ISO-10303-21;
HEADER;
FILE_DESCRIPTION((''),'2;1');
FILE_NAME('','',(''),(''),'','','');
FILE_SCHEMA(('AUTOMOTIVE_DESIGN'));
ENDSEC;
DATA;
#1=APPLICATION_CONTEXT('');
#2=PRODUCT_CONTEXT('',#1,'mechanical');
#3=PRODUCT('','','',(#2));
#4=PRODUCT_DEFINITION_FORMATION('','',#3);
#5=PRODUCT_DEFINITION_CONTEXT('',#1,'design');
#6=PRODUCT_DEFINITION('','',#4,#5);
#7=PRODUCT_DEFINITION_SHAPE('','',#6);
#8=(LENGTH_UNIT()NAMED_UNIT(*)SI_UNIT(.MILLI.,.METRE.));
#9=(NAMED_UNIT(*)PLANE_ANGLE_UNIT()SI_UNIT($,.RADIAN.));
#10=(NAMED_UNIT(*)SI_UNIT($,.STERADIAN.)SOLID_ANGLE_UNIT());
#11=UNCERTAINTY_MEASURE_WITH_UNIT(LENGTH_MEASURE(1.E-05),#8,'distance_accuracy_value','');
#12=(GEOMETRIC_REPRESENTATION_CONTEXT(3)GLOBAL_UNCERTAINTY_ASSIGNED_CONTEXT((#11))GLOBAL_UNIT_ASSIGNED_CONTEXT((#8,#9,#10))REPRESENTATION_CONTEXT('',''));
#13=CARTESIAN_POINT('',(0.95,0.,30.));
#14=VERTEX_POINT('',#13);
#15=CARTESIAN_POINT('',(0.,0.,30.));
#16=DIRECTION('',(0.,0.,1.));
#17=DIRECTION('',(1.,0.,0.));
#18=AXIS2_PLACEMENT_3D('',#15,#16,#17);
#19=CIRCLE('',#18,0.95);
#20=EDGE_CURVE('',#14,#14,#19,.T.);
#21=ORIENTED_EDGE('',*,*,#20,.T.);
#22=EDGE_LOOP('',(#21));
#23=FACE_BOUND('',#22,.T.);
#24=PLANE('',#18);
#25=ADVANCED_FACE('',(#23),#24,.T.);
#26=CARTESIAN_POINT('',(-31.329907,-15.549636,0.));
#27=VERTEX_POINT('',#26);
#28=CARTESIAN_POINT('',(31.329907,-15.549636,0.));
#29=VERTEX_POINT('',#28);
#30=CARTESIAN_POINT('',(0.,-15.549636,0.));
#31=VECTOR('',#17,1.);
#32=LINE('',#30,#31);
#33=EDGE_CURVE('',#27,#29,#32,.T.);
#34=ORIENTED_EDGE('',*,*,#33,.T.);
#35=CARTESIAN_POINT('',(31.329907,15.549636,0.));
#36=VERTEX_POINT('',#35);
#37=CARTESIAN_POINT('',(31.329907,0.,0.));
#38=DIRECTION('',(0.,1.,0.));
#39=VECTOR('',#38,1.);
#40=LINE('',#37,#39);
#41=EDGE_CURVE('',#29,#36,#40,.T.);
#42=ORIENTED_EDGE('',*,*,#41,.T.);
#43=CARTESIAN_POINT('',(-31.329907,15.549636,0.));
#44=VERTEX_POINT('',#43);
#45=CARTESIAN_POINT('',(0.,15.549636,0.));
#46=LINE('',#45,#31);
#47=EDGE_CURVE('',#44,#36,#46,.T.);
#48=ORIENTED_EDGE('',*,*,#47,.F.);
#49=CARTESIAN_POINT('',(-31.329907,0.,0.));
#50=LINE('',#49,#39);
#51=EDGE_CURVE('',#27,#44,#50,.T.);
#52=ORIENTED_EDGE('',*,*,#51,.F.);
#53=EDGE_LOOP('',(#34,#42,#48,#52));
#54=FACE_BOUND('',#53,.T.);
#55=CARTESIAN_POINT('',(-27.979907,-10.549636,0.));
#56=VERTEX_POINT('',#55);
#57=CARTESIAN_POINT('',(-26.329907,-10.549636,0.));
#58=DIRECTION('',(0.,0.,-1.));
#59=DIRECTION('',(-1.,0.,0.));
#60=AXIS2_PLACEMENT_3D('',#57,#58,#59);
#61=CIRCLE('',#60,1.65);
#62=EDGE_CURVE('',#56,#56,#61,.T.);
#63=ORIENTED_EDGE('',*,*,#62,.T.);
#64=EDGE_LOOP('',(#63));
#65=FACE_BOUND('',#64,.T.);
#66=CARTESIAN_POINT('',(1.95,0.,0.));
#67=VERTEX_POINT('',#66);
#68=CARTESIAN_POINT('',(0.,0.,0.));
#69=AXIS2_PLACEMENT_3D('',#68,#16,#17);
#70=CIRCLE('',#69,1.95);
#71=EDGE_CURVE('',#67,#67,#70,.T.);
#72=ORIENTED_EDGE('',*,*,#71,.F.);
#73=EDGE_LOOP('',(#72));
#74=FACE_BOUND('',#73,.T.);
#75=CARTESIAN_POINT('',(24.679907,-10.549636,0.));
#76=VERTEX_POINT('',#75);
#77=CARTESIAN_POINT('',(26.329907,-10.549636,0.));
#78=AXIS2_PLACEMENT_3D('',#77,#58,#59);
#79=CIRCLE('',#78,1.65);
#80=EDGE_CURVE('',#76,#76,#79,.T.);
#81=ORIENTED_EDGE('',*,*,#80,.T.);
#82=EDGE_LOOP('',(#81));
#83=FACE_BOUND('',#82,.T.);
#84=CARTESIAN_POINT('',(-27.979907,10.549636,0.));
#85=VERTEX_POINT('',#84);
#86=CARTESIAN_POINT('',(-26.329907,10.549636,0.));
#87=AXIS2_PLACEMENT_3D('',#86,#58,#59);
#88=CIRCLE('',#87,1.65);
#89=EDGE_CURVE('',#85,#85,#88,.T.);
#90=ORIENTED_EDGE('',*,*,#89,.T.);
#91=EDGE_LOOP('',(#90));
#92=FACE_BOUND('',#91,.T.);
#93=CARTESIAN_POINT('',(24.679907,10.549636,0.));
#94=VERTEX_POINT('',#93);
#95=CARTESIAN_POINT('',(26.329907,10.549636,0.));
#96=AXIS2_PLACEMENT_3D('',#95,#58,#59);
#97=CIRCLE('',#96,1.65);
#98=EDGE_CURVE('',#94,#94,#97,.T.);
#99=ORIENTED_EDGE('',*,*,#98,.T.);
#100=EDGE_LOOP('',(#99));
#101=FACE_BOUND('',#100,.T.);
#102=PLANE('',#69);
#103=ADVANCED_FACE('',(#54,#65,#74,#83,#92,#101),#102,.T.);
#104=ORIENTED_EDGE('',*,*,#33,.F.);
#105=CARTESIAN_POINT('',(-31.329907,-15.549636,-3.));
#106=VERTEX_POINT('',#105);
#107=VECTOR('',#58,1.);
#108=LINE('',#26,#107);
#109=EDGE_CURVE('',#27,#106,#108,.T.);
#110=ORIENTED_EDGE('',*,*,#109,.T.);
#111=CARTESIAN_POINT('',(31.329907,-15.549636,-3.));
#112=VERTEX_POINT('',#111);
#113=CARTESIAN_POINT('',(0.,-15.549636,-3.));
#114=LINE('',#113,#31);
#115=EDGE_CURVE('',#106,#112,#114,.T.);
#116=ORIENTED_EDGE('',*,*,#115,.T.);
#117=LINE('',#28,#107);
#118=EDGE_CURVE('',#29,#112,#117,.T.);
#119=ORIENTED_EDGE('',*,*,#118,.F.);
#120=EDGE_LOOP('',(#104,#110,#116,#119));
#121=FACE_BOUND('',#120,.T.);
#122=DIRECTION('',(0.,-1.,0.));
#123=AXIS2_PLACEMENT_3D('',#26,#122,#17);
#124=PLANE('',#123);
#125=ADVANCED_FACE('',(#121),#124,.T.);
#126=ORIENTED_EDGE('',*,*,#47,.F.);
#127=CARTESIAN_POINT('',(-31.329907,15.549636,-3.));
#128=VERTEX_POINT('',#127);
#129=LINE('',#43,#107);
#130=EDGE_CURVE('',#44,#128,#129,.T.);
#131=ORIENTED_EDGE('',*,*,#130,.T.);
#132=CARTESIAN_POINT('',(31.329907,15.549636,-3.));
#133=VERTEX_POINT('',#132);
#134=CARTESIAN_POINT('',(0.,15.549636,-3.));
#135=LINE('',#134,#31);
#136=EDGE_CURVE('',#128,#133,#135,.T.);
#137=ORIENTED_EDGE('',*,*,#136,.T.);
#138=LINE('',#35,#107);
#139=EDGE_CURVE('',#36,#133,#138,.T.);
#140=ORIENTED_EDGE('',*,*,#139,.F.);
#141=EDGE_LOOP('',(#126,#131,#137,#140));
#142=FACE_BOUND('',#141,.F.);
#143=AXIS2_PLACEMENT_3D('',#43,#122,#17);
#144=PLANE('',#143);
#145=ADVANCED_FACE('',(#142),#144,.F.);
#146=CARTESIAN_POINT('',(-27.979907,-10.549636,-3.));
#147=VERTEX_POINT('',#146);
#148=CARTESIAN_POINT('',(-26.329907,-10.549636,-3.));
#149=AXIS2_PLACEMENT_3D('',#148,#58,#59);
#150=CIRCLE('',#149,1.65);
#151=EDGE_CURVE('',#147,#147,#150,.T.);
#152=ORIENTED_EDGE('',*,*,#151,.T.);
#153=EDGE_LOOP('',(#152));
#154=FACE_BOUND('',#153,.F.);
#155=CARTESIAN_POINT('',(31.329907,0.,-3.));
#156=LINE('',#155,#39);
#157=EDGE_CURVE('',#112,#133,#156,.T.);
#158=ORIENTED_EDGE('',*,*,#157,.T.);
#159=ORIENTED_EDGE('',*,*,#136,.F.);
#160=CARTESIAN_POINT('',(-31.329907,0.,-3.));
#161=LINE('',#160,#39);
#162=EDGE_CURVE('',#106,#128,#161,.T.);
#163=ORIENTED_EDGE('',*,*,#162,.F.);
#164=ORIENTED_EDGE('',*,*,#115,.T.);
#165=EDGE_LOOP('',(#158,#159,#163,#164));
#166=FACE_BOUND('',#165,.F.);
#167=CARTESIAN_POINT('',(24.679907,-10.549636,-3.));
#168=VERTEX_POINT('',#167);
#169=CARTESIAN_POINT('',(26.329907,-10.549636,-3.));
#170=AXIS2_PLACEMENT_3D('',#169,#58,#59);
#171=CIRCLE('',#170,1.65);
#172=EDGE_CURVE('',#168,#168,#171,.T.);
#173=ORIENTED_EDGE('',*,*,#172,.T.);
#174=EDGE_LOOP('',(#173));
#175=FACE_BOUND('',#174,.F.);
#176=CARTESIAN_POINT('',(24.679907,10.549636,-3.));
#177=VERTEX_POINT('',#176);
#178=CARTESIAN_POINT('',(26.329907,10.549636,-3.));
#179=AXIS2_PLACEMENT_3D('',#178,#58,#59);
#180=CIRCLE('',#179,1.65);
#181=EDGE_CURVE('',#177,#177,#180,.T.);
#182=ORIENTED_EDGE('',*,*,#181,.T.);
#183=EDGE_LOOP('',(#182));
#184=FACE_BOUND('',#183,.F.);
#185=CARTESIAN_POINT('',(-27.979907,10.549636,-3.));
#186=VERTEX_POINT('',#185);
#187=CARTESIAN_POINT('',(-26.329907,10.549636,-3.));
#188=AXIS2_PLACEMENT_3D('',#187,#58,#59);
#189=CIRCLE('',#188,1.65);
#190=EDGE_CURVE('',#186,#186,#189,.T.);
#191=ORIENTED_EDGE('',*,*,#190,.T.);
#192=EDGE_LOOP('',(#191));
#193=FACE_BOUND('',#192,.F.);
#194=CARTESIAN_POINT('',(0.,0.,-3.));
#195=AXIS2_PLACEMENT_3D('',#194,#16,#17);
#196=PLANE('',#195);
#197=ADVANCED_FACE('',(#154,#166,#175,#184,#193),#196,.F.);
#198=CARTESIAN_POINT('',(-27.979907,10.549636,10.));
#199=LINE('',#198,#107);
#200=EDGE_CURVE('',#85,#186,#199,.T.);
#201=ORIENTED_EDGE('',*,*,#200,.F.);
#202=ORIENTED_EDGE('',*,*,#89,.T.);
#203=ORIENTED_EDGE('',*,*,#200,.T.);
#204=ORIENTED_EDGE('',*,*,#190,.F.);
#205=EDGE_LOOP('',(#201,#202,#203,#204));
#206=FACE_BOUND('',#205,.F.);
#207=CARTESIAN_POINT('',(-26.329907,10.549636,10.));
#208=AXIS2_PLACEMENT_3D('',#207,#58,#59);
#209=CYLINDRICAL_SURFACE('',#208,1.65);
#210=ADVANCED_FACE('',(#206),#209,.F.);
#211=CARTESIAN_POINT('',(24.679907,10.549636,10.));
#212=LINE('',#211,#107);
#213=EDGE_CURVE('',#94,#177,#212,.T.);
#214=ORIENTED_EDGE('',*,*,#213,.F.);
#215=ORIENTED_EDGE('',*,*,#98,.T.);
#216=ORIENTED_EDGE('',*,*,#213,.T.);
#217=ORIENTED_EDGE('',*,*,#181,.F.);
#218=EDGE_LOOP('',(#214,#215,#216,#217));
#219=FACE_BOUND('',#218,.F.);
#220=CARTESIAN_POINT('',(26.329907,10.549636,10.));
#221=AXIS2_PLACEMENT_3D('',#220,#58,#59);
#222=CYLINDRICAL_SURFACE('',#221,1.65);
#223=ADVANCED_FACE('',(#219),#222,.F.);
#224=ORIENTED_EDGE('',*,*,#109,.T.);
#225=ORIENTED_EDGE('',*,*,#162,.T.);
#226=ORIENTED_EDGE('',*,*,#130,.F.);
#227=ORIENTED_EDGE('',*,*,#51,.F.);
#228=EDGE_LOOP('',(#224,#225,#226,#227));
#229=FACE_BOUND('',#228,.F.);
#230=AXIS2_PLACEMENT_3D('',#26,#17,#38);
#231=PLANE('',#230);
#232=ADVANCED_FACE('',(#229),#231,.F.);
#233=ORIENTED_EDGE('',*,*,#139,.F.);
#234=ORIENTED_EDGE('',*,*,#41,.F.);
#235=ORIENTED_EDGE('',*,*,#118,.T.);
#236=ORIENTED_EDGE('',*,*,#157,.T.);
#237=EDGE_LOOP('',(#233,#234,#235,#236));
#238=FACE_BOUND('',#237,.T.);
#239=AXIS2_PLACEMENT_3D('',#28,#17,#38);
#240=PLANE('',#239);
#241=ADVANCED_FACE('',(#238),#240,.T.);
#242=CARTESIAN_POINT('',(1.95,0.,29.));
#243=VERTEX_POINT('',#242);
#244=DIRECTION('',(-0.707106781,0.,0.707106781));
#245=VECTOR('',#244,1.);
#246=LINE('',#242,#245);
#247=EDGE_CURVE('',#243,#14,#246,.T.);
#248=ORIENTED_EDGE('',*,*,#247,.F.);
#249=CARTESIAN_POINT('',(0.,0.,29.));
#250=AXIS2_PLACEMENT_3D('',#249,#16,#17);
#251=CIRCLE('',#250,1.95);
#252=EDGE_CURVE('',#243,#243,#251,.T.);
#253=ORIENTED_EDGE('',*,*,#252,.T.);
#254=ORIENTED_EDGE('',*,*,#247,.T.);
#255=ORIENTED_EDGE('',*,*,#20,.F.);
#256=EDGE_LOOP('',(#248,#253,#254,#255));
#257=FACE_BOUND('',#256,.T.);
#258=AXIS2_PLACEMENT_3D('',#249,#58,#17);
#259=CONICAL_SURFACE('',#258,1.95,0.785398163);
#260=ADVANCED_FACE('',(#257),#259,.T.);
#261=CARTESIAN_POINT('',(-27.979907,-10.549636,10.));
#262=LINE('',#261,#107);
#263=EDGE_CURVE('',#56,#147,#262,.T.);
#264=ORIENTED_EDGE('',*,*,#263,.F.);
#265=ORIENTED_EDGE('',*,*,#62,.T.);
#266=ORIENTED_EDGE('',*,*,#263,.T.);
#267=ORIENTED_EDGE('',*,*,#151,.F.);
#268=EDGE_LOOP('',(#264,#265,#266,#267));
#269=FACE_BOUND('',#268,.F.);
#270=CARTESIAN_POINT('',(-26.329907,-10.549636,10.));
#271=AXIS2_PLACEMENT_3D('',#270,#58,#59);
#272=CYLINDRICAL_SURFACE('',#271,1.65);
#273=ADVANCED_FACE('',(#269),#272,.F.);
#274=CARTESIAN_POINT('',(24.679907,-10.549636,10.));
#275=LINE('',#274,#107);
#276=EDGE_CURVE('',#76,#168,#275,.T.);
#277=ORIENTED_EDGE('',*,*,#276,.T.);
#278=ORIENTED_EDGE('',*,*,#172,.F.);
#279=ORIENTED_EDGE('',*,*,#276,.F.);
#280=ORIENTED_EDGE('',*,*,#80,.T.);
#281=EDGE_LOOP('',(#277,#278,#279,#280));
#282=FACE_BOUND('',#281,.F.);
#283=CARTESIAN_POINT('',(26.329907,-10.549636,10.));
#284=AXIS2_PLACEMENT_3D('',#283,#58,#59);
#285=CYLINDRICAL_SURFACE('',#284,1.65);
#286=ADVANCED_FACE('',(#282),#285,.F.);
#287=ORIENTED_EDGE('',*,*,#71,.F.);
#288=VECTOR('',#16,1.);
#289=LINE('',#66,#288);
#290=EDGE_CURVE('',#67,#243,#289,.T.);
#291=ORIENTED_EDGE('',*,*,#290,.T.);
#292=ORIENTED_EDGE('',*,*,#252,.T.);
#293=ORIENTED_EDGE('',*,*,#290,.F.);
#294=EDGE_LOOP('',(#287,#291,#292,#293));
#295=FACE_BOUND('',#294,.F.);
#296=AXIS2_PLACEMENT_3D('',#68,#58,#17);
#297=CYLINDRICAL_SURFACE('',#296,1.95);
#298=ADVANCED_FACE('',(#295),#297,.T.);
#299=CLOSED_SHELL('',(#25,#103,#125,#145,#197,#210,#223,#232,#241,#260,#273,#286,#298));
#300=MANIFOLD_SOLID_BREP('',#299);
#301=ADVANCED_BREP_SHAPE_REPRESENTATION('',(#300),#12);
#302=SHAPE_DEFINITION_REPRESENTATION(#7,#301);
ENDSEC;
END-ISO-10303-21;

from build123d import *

# Parameters (mm, degrees)
F0_R     = 1.95
F1_DEPTH = 30
F2_SIZE  = 1
F0_W     = 62.6598149538
F0_H     = 31.0992728919
F0_R_2   = 15
F3_DEPTH = 3
F4_D     = 3.3
F4_DEPTH = 10
F4_TIP   = 0.9914200214


with BuildPart() as f1:
    # F0 (on Top) → F1 (new body)
    with BuildSketch(Plane.XY):
        Circle(F0_R)
    extrude(amount=F1_DEPTH)

    # F2
    f2_edges = [f1.edges().sort_by_distance(p)[0] for p in [
        (-1.95, 0, 30),
    ]]
    chamfer(f2_edges, length=F2_SIZE)

    # F0 (on Top) → F3 (join)
    with BuildSketch(Plane.XY):
        Rectangle(F0_W, F0_H)
        Circle(F0_R_2, mode=Mode.SUBTRACT)
        Circle(F0_R_2)
        Circle(F0_R, mode=Mode.SUBTRACT)
        Circle(F0_R)
    extrude(amount=-F3_DEPTH)

    # F4
    with Locations(Plane.XY):
        with Locations((-26.3299074769, 10.5496364459), (26.3299074769, 10.5496364459), (26.3299074769, -10.5496364459), (-26.3299074769, -10.5496364459)):
            Hole(F4_D / 2, depth=F4_DEPTH)
            with Locations((0, 0, -(F4_DEPTH + F4_TIP / 2))):  # 118° drill point
                Cone(0, F4_D / 2, F4_TIP, mode=Mode.SUBTRACT)


solid = f1.part
